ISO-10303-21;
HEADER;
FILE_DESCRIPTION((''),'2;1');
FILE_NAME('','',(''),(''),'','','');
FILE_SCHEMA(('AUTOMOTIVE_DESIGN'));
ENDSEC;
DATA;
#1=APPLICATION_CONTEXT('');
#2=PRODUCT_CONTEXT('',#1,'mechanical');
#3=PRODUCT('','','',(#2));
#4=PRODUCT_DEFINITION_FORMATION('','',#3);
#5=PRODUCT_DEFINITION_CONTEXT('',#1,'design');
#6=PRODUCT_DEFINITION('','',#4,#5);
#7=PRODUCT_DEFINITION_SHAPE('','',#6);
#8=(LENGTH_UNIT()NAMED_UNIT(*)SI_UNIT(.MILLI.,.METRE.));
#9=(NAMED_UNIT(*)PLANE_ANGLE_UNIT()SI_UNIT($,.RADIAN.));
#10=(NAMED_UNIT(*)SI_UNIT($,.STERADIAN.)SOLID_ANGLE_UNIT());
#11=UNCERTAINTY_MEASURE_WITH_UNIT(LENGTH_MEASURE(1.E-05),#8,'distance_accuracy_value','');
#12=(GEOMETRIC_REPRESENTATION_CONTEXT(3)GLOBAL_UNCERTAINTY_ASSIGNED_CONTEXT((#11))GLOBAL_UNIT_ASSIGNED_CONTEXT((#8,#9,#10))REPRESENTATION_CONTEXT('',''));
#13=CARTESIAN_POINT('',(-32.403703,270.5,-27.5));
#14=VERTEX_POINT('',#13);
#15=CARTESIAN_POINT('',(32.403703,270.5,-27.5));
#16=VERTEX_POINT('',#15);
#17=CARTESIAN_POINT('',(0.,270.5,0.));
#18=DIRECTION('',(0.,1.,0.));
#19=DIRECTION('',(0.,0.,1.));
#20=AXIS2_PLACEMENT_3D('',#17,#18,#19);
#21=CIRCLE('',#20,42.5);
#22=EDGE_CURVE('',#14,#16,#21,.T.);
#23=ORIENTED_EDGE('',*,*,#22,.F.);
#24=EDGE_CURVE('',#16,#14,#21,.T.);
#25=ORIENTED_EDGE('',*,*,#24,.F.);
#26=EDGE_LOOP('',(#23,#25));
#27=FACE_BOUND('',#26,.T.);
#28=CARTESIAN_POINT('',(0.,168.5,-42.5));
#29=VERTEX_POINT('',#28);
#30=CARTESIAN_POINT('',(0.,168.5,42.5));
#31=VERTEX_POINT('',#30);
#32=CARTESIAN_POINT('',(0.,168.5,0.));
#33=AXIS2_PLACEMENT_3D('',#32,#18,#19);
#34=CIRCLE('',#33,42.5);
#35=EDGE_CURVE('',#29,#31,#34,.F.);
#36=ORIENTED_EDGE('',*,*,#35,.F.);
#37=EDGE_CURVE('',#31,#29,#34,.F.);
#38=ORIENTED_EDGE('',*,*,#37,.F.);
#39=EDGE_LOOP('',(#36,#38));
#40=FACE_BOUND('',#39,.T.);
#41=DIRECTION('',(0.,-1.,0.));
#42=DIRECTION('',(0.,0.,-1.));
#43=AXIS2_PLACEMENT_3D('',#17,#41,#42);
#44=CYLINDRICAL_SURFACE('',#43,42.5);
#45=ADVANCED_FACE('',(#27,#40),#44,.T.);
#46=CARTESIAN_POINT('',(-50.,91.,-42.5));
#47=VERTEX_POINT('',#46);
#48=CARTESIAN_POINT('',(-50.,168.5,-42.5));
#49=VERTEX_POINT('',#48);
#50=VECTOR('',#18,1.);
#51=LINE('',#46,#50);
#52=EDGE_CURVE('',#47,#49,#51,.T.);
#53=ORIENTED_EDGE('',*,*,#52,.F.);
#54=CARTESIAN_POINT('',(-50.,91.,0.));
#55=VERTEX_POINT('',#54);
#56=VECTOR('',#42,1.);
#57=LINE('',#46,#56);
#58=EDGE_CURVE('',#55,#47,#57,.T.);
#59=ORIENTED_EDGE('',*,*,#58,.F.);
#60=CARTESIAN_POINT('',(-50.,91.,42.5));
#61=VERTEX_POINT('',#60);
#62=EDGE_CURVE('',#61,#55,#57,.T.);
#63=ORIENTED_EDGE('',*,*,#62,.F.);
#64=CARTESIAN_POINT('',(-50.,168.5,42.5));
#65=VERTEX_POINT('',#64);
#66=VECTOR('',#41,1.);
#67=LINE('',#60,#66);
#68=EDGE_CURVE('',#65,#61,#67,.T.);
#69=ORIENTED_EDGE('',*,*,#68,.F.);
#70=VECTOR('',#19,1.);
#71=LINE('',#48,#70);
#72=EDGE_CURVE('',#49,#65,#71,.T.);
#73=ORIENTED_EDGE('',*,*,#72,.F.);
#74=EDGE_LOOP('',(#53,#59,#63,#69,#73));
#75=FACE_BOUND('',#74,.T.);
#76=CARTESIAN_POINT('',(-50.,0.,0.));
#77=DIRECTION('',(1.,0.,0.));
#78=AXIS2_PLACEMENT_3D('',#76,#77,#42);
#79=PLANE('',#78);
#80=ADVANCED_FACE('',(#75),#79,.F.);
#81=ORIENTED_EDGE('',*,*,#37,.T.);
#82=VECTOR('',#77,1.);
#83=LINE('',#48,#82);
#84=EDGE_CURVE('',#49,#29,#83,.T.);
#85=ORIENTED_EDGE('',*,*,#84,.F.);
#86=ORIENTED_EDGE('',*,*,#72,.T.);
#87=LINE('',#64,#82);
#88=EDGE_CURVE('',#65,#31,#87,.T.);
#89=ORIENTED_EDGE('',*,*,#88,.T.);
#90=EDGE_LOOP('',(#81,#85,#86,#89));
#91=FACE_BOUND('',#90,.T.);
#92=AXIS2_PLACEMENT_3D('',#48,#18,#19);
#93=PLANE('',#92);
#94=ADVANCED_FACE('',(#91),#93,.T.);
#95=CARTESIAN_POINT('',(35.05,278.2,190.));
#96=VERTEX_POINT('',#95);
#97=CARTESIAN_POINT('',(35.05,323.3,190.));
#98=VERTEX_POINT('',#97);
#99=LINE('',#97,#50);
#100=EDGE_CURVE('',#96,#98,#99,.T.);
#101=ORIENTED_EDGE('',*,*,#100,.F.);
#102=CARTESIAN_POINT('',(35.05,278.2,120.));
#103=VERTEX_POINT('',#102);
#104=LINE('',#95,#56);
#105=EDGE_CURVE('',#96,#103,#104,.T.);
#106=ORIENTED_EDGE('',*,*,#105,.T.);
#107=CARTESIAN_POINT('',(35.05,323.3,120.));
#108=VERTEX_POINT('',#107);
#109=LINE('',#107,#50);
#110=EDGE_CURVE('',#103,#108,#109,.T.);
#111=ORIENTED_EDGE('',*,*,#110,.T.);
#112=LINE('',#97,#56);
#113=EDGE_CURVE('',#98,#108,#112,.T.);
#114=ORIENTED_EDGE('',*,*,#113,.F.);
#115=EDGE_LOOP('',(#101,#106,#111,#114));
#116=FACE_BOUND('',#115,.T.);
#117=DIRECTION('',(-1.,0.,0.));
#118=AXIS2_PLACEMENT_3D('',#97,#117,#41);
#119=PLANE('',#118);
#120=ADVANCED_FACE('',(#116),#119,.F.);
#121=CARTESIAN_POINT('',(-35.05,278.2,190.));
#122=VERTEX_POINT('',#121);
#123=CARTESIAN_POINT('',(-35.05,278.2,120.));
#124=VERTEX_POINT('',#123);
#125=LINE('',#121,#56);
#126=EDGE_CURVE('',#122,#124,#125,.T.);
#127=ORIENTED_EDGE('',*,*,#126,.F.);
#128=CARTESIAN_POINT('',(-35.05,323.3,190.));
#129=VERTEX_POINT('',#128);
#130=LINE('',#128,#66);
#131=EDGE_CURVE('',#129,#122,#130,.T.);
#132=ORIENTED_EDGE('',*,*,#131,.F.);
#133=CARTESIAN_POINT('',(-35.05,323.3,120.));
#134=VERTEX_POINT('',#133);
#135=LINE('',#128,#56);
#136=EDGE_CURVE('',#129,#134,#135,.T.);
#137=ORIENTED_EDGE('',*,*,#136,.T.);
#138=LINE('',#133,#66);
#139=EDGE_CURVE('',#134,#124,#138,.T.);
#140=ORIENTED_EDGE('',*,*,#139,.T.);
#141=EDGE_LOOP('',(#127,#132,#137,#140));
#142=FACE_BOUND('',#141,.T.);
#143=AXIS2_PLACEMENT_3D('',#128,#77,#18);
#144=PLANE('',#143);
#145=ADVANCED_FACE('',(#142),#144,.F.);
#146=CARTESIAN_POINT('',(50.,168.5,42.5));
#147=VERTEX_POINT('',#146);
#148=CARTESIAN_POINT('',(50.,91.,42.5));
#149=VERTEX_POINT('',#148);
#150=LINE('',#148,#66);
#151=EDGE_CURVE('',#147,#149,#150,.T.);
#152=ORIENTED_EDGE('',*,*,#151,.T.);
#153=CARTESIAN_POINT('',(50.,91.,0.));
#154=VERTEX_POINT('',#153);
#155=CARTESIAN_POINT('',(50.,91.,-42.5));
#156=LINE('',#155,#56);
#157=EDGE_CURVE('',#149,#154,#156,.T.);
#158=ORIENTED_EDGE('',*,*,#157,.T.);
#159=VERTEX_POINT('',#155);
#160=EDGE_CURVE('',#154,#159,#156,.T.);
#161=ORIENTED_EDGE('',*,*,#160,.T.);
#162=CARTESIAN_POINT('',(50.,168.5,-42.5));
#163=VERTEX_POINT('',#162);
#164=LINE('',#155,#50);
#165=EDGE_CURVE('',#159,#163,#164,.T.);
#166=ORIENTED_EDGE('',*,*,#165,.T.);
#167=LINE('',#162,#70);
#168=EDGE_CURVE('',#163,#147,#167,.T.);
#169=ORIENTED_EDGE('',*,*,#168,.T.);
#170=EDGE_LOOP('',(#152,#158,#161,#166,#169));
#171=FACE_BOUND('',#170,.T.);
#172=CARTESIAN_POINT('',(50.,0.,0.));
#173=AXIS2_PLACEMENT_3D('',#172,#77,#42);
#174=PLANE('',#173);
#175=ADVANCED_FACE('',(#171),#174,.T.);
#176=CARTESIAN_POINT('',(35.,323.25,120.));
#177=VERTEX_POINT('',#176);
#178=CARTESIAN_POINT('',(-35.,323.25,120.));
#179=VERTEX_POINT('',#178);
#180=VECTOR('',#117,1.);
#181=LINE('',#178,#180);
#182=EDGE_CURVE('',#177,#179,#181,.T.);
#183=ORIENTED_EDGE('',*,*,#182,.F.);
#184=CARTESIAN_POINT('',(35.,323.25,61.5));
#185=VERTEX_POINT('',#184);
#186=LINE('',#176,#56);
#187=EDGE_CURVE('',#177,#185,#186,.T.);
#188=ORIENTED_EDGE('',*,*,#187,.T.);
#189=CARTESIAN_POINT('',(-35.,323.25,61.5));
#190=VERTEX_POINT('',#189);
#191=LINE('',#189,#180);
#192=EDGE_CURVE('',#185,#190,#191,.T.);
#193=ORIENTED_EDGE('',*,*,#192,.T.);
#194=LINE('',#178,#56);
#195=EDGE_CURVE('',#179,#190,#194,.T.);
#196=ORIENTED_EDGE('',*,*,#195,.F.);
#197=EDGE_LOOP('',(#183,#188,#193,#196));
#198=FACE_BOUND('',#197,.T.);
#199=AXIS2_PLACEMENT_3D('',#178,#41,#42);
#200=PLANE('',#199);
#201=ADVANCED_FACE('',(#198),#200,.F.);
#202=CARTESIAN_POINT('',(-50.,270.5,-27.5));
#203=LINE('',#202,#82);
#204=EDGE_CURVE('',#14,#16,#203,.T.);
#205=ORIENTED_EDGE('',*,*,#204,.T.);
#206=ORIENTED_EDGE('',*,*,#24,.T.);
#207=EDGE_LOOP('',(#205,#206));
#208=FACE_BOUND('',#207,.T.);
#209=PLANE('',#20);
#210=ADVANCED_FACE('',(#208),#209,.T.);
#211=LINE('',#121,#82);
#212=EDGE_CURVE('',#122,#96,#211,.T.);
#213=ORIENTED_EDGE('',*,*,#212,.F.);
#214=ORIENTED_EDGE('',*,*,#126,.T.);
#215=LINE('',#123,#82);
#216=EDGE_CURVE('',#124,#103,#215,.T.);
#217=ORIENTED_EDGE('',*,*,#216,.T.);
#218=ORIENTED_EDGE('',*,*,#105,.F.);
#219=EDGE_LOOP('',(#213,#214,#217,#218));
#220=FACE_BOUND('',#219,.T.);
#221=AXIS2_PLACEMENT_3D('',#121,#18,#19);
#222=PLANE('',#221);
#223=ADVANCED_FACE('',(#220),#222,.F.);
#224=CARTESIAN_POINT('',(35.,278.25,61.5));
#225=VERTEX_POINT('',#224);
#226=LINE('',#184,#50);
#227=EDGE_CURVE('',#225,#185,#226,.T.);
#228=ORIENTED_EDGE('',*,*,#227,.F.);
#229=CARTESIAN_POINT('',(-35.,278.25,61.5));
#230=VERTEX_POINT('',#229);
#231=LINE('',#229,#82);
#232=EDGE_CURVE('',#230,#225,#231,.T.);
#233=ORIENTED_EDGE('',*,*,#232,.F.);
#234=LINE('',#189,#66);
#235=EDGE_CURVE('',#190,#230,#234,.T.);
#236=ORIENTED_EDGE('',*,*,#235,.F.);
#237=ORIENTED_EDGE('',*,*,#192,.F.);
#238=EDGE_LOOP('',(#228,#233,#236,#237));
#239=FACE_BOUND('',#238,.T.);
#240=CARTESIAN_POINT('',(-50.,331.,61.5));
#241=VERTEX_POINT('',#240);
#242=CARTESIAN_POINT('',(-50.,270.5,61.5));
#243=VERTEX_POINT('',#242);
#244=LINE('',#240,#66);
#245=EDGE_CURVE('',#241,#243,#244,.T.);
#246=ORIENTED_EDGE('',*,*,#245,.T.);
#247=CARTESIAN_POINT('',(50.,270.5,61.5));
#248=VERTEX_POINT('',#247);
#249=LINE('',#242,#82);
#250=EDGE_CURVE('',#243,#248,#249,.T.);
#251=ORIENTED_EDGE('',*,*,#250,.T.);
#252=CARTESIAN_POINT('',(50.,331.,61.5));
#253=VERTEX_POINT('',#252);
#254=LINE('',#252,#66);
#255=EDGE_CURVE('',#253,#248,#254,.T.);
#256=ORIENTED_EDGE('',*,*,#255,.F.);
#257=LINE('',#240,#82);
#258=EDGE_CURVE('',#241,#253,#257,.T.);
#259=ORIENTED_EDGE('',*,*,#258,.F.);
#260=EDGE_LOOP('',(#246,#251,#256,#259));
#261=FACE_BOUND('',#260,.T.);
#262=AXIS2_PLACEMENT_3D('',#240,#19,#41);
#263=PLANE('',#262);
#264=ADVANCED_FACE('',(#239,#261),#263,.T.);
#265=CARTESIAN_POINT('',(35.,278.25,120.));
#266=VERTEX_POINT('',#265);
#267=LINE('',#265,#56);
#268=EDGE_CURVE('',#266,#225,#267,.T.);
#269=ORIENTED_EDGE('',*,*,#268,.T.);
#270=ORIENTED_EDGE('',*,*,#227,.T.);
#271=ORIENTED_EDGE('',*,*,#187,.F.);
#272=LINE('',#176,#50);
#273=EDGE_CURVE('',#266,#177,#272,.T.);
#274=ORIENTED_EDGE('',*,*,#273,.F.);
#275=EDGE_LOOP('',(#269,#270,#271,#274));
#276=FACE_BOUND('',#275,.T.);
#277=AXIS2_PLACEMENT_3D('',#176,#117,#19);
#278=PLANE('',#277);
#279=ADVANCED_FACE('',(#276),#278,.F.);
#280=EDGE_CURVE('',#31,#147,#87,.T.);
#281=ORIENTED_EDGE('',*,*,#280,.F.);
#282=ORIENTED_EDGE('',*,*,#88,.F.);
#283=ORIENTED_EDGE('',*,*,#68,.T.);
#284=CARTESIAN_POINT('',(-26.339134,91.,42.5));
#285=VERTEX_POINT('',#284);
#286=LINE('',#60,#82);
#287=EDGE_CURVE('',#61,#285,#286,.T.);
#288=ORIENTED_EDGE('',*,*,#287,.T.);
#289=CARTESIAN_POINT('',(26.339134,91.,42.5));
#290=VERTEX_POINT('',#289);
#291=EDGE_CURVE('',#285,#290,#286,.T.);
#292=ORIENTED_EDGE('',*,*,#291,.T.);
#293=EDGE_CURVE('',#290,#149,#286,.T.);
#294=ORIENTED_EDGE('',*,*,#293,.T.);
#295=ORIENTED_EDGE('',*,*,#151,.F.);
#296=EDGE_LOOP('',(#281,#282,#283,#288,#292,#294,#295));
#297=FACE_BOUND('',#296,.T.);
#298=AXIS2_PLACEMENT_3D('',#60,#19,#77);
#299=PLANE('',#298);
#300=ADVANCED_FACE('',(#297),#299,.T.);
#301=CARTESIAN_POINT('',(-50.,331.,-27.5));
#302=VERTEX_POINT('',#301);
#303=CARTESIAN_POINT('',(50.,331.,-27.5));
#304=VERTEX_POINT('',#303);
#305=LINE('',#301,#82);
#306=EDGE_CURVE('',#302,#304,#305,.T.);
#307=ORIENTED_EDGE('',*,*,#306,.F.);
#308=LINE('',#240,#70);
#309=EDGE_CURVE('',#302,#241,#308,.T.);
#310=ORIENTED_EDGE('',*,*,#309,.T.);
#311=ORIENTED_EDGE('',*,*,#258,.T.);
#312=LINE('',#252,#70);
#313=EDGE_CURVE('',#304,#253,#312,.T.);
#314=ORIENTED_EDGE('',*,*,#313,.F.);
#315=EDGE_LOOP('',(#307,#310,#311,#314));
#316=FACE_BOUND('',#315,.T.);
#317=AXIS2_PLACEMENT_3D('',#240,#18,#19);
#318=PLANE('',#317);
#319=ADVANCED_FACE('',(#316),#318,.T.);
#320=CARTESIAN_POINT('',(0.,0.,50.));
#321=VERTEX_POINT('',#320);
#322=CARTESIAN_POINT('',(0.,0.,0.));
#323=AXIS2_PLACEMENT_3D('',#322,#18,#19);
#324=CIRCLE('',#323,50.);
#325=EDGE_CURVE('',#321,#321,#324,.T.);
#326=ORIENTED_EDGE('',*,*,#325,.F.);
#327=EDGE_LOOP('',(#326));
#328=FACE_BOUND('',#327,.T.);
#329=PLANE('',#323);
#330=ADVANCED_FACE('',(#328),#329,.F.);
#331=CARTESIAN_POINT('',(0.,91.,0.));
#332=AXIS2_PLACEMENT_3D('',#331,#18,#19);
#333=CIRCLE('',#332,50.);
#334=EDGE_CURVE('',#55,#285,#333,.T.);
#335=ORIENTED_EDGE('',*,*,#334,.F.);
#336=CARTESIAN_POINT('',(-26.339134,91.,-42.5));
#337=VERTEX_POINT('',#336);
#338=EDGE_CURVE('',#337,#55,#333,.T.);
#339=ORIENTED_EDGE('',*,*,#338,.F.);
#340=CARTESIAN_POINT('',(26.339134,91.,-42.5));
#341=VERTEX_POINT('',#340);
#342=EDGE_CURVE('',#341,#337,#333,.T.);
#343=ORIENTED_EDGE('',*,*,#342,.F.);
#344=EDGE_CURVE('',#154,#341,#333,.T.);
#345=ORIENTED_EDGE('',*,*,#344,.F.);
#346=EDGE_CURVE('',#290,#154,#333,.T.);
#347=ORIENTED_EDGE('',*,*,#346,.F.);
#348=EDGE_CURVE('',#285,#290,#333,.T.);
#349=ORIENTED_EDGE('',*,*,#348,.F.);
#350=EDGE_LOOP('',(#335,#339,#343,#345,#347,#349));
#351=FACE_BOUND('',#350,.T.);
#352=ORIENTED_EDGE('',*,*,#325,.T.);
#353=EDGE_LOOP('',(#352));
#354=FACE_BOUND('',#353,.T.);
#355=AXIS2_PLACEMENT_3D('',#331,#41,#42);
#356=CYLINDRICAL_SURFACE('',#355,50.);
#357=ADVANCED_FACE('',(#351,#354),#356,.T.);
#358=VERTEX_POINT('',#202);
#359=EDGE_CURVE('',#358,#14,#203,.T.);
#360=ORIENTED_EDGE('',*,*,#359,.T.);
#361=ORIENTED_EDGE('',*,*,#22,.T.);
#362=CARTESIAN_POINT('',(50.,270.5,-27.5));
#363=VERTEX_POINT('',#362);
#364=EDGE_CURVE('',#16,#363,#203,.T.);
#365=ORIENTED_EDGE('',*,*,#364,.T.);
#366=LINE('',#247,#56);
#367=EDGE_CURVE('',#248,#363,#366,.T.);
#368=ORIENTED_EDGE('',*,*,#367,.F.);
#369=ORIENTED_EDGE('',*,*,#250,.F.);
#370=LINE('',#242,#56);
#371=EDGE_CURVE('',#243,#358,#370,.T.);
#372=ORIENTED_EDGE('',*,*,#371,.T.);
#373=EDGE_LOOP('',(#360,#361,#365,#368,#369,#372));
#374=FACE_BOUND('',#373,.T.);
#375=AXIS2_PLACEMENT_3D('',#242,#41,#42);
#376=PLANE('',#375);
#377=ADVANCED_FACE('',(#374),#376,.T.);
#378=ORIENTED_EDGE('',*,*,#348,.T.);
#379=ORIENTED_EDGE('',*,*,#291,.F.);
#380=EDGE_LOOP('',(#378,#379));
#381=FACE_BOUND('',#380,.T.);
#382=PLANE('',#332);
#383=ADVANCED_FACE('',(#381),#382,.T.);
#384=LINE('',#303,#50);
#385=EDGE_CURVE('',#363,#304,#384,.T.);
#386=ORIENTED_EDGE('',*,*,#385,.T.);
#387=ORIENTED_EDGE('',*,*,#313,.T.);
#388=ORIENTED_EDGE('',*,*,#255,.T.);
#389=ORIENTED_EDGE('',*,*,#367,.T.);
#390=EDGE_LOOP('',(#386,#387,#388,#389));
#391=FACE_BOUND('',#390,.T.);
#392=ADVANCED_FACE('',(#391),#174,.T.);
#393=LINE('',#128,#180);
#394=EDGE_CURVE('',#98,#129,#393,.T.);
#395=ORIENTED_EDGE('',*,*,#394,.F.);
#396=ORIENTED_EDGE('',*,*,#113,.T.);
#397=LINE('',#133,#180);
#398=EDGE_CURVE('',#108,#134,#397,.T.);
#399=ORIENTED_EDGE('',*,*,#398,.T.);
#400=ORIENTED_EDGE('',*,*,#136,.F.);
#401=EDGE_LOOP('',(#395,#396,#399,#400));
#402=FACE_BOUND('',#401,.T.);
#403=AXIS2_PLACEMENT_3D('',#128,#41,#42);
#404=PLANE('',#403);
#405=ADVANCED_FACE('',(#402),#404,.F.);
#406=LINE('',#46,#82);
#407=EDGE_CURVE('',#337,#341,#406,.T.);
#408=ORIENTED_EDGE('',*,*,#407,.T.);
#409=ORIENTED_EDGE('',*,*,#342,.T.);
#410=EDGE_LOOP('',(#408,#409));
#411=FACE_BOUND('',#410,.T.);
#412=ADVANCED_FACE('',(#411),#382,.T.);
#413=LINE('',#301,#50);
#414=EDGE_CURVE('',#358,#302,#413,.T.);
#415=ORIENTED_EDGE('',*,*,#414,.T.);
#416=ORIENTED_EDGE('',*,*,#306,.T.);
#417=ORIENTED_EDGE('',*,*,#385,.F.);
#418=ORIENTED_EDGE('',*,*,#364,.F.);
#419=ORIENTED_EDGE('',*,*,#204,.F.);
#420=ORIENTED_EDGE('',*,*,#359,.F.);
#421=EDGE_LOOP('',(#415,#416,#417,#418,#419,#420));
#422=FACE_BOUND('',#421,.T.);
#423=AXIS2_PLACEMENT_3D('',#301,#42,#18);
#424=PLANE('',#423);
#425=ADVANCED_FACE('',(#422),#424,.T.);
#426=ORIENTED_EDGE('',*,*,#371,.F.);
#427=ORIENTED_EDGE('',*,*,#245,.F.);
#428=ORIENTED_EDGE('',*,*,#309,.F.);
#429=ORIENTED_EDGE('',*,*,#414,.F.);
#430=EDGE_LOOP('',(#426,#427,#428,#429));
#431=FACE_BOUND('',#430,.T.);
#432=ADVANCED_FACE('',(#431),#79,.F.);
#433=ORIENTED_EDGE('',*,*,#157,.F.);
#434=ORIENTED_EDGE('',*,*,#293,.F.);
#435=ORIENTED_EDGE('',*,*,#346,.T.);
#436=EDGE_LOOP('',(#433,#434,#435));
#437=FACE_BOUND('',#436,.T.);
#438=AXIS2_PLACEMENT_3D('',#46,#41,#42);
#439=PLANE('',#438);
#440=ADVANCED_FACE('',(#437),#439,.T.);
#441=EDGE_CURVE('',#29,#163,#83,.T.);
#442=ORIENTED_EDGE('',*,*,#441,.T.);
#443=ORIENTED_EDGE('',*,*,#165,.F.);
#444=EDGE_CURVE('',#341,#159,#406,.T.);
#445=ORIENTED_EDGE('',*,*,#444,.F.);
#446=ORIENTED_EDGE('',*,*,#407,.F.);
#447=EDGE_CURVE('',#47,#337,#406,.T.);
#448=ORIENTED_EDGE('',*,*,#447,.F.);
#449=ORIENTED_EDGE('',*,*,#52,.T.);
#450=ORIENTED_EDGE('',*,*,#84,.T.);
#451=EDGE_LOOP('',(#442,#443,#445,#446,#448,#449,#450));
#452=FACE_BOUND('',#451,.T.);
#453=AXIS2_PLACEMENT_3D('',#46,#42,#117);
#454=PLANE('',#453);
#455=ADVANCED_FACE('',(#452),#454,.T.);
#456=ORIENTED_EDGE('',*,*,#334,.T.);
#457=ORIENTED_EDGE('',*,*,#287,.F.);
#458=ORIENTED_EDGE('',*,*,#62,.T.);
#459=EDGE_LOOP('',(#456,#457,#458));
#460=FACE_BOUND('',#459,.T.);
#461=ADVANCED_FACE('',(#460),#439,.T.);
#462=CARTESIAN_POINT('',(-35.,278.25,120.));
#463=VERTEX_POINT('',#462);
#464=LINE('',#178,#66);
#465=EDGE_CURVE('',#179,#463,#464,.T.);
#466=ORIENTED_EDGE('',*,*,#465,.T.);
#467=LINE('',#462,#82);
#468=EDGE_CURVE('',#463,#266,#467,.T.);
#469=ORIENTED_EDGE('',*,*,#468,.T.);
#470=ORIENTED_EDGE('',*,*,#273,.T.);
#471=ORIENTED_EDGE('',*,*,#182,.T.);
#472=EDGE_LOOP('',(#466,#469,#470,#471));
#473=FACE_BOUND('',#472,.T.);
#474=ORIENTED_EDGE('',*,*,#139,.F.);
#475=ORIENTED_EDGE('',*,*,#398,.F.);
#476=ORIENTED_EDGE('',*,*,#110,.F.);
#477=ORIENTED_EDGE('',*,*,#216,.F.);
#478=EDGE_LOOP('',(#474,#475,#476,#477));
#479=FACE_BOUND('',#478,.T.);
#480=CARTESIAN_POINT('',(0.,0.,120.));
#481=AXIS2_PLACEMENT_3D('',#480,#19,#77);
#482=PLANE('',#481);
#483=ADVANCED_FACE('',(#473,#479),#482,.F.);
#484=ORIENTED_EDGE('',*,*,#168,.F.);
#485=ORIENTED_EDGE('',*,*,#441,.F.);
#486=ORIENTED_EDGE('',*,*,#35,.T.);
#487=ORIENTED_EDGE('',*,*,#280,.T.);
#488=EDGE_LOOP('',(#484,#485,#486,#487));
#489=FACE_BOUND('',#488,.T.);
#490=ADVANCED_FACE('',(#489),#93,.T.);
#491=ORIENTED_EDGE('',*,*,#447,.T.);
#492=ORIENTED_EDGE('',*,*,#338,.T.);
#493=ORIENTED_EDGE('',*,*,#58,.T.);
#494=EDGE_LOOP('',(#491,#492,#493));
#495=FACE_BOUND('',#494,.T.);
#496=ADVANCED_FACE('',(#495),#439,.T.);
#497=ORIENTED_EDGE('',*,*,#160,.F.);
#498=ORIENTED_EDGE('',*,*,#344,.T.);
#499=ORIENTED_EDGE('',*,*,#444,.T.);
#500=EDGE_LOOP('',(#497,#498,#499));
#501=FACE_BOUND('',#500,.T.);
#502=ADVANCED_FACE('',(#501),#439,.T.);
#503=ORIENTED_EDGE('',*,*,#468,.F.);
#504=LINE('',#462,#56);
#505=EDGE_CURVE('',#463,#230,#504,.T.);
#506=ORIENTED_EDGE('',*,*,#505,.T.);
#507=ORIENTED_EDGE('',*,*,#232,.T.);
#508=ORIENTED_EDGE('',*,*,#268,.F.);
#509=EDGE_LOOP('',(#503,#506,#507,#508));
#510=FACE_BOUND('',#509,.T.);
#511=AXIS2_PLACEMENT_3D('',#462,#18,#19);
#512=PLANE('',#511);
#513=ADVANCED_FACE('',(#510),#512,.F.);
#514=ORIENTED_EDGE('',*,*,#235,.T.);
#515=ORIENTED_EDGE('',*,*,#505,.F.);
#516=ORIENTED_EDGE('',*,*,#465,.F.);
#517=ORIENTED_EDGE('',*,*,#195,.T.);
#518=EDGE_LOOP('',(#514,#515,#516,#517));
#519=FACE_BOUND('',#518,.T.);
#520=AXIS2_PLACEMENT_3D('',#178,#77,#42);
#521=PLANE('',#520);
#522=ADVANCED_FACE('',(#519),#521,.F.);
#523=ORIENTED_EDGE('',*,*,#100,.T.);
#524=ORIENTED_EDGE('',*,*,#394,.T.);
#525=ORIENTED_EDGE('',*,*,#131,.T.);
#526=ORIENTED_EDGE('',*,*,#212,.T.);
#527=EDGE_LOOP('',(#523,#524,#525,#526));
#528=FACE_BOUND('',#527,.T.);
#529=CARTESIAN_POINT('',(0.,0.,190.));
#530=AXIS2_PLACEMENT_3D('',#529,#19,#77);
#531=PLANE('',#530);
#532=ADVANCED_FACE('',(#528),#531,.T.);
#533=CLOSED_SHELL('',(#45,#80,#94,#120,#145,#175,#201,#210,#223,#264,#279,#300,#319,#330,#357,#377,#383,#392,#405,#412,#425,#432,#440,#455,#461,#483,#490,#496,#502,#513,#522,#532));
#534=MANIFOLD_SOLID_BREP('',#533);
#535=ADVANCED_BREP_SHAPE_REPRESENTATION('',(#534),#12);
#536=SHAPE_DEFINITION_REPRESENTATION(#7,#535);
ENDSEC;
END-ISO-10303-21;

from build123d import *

# Parameters (mm, degrees)
SKETCH1_R                = 50
BOSS_EXTRUDE1_DEPTH      = 91
BOSS_EXTRUDE2_DEPTH      = 50
BOSS_EXTRUDE2_DEPTH_BACK = 50
SKETCH2_W                = 85
SKETCH2_H                = 77.5
SKETCH4_R                = 42.5
BOSS_EXTRUDE3_DEPTH      = 135
BOSS_EXTRUDE4_DEPTH      = 50
BOSS_EXTRUDE4_DEPTH_BACK = 50
SKETCH5_W                = 89
SKETCH5_H                = 60.5
SKETCH6_W                = 70
SKETCH6_H                = 45
BOSS_EXTRUDE5_DEPTH      = 58.5
SKETCH7_W                = 70.1
SKETCH7_H                = 45.1
BOSS_EXTRUDE6_DEPTH      = 70


with BuildPart() as part:
    # Sketch1 → Boss-Extrude1 (new body)
    with BuildSketch(Plane(origin=(0, 0, 0), x_dir=(1, 0, 0), z_dir=(0, 1, 0))):
        Circle(SKETCH1_R)
    extrude(amount=BOSS_EXTRUDE1_DEPTH)

    # Sketch2 → Boss-Extrude2 (add, two sides: drawn at the far end of the back side and taken through both)
    with BuildSketch(Plane(origin=(0, 0, 0), x_dir=(0, 0, -1), z_dir=(1, 0, 0)).offset(-BOSS_EXTRUDE2_DEPTH_BACK)):
        with Locations((0, 129.75)):
            Rectangle(SKETCH2_W, SKETCH2_H)
    extrude(amount=BOSS_EXTRUDE2_DEPTH + BOSS_EXTRUDE2_DEPTH_BACK)

    # Sketch4 → Boss-Extrude3 (add)
    with BuildSketch(Plane(origin=(0, 135.5, 0), x_dir=(1, 0, 0), z_dir=(0, 1, 0))):
        Circle(SKETCH4_R)
    extrude(amount=BOSS_EXTRUDE3_DEPTH)

    # Sketch5 → Boss-Extrude4 (add, two sides: drawn at the far end of the back side and taken through both)
    with BuildSketch(Plane(origin=(0, 0, 0), x_dir=(0, 0, -1), z_dir=(1, 0, 0)).offset(-BOSS_EXTRUDE4_DEPTH_BACK)):
        with Locations((-17, 300.75)):
            Rectangle(SKETCH5_W, SKETCH5_H)
    extrude(amount=BOSS_EXTRUDE4_DEPTH + BOSS_EXTRUDE4_DEPTH_BACK)

    # Sketch6 → Boss-Extrude5 (add)
    with BuildSketch(Plane.XY.offset(61.5)):
        with Locations((0, 300.75)):
            Rectangle(SKETCH6_W, SKETCH6_H)
    extrude(amount=BOSS_EXTRUDE5_DEPTH)

    # Sketch7 → Boss-Extrude6 (add)
    with BuildSketch(Plane.XY.offset(120)):
        with Locations((0, 300.75)):
            Rectangle(SKETCH7_W, SKETCH7_H)
    extrude(amount=BOSS_EXTRUDE6_DEPTH)


solid = part.part
